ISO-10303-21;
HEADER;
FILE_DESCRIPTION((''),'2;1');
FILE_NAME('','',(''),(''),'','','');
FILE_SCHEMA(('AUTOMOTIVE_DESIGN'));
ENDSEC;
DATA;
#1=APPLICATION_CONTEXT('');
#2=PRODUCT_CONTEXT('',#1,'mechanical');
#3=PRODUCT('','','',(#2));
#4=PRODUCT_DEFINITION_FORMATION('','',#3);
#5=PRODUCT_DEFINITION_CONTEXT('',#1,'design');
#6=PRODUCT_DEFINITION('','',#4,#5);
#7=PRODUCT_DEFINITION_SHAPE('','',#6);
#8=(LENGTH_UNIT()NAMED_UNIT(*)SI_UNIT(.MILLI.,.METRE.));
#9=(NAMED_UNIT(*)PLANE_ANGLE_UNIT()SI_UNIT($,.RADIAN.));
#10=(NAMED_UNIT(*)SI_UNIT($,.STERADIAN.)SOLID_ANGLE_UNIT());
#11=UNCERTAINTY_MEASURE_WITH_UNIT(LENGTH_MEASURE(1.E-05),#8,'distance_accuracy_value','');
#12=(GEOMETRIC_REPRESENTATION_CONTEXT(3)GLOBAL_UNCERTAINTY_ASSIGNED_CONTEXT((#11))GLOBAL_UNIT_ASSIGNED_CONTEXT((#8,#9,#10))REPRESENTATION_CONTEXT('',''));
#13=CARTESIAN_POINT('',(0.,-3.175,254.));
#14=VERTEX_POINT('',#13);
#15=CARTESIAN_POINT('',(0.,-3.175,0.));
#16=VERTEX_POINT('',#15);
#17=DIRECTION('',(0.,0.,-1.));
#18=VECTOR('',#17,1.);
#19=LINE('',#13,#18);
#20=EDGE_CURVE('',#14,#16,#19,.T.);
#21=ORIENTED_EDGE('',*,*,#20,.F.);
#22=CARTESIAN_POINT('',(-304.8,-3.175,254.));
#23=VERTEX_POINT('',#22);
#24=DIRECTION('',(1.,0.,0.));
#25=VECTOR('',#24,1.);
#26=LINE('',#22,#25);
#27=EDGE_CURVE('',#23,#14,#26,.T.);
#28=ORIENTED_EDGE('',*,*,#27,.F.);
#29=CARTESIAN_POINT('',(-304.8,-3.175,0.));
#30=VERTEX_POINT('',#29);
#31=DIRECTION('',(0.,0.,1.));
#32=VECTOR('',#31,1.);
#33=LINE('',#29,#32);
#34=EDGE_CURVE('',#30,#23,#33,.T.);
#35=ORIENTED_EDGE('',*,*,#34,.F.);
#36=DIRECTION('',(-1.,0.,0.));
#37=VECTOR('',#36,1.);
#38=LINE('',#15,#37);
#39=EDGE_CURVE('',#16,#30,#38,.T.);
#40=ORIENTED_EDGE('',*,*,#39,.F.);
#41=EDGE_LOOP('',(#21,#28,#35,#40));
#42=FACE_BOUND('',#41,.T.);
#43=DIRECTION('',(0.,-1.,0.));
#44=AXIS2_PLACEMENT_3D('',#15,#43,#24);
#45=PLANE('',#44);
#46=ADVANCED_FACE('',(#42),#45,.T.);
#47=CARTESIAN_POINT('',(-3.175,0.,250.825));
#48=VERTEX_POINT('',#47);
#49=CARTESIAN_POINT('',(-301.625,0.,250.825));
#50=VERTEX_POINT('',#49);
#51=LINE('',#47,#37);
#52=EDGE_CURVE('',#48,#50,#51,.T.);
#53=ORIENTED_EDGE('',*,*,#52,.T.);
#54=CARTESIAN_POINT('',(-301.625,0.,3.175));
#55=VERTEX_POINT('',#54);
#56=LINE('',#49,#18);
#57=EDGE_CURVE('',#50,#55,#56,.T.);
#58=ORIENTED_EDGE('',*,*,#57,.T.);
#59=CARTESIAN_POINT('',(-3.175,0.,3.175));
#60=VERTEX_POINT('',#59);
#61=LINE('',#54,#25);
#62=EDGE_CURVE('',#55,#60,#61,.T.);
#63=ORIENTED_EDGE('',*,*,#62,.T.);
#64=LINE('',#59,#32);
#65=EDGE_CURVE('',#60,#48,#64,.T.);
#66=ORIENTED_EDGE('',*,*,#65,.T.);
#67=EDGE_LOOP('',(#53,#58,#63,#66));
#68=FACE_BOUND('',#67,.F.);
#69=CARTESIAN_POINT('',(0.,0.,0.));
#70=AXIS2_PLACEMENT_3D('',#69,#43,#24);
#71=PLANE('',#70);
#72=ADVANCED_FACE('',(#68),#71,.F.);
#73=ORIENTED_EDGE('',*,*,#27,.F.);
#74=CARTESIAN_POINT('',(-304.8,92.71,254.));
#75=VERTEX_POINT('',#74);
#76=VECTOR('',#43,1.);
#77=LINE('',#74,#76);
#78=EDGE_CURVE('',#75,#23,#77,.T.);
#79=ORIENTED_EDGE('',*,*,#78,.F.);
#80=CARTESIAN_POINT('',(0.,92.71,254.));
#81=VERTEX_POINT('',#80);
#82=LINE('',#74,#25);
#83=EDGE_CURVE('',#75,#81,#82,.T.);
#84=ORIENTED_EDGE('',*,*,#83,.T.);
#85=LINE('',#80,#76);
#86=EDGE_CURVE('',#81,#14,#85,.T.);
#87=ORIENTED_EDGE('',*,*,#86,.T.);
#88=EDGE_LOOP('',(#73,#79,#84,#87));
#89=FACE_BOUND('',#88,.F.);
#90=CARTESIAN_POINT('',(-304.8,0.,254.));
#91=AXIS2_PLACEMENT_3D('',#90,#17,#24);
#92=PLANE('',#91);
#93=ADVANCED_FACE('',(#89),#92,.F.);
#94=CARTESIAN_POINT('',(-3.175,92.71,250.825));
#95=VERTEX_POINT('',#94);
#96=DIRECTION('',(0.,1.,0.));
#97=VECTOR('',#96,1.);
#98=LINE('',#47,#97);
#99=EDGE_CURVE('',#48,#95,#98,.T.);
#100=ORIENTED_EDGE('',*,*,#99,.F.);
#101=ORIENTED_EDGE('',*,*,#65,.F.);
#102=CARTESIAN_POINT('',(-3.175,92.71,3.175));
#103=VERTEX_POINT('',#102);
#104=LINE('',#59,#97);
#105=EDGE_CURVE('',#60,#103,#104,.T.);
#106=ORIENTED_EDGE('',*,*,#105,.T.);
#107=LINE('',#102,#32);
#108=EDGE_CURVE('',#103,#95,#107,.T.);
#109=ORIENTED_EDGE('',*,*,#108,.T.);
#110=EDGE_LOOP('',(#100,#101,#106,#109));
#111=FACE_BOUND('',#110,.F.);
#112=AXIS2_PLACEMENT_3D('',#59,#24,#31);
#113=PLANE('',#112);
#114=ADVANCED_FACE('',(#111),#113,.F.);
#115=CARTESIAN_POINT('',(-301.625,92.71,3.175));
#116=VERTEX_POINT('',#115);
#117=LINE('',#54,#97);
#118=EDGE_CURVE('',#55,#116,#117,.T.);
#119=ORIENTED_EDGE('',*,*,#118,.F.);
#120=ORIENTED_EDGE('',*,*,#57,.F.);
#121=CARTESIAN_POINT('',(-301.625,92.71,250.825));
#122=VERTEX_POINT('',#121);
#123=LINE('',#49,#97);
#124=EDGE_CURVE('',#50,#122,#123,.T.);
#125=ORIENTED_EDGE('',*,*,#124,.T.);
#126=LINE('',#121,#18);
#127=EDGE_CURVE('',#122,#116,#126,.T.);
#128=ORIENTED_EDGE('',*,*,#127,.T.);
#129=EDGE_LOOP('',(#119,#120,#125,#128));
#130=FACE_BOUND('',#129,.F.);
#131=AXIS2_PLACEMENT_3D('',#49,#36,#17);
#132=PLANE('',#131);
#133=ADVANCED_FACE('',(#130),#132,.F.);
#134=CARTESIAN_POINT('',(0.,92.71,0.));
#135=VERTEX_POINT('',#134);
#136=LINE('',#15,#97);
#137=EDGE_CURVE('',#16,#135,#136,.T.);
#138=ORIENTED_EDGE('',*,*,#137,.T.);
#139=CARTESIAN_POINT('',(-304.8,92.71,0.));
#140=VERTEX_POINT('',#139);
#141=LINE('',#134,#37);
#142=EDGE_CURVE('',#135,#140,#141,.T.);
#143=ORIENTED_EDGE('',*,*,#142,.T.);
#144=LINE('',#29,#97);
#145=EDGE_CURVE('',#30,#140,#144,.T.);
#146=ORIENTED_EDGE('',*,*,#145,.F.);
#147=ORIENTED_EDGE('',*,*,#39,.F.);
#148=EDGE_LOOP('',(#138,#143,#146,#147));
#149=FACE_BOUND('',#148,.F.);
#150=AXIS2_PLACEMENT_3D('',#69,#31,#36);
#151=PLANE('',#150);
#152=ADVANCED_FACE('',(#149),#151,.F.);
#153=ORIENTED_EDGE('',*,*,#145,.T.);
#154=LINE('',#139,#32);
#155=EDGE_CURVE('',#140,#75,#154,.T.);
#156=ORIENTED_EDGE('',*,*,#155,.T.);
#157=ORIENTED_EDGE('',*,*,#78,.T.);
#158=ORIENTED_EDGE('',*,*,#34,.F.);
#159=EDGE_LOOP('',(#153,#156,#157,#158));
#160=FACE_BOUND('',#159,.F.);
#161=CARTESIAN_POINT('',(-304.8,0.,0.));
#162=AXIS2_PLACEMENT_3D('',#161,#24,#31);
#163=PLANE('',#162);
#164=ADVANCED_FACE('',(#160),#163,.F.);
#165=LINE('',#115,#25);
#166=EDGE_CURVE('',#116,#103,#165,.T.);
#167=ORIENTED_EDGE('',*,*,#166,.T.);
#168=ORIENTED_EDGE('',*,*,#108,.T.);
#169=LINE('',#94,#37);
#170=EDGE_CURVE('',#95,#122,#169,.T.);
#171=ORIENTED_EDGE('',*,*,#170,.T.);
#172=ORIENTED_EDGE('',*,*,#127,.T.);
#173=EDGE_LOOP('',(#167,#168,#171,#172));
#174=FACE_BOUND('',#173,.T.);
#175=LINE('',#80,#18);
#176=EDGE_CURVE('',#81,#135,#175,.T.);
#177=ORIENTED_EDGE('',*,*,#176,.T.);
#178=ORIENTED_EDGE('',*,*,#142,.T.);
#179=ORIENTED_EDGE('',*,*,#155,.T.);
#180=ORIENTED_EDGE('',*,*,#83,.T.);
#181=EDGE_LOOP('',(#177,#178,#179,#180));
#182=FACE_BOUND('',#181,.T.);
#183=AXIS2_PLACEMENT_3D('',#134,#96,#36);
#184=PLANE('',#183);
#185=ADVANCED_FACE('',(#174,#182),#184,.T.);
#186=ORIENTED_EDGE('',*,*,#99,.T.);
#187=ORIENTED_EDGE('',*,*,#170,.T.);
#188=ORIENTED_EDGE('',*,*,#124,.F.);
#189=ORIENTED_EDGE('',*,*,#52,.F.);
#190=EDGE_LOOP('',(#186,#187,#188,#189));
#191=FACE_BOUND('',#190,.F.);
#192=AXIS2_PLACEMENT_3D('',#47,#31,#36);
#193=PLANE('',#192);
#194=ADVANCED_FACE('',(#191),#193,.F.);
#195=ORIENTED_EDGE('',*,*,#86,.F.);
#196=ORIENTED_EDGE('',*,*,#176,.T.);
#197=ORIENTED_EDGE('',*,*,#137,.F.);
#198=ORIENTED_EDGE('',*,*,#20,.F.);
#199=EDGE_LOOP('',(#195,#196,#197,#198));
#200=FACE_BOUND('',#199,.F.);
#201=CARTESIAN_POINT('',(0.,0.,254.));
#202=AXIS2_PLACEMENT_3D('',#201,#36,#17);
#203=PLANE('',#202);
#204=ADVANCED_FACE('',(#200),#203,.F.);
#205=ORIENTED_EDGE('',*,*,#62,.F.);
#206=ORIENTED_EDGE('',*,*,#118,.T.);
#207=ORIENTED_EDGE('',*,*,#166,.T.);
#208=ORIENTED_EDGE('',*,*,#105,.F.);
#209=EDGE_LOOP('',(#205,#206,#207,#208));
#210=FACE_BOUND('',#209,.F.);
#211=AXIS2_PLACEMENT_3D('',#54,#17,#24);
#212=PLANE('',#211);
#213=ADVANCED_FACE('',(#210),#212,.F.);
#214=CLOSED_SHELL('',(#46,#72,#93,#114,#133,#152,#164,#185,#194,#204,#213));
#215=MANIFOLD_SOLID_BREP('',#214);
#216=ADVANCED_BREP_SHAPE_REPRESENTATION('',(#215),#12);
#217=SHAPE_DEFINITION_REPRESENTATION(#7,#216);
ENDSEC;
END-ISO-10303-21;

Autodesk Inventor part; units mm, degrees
ref_plane "YZ Plane" through (0, 0, 0) normal (1, 0, 0) x (0, 1, 0)
ref_plane "XZ Plane" through (0, 0, 0) normal (0, 1, 0) x (-1, 0, 0)
ref_plane "XY Plane" through (0, 0, 0) normal (0, 0, 1) x (1, 0, 0)
sketch "Sketch1" plane through (0, 0, 0) normal (0, 1, 0) x (-1, 0, 0)
  line L0 (0, 0) -> (304.8, 0)
  line L1 (304.8, 0) -> (304.8, 254)
  line L2 (304.8, 254) -> (0, 254)
  line L3 (0, 254) -> (0, 0)
  line L4 (301.625, 250.825) -> (301.625, 3.175)
  line L5 (301.625, 3.175) -> (3.175, 3.175)
  line L6 (3.175, 3.175) -> (3.175, 250.825)
  line L7 (3.175, 250.825) -> (301.625, 250.825)
  dimension "d0" = 304.8
  dimension "d1" = 254
  dimension "d21" = 3.175
extrude "Extrusion1" add sketch "Sketch1" along normal blind 92.71
sketch "Sketch5" plane through (0, 0, 0) normal (0, -1, 0) x (1, 0, 0)
  line L0 (0, 0) -> (-304.8, 0)
  line L1 (-304.8, 0) -> (-304.8, 254)
  line L2 (-304.8, 254) -> (0, 254)
  line L3 (0, 254) -> (0, 0)
  dimension "d22" = 304.8
  dimension "d23" = 254
extrude "Extrusion4" add sketch "Sketch5" along normal blind 3.175
properties part number "Lower Chassis"
